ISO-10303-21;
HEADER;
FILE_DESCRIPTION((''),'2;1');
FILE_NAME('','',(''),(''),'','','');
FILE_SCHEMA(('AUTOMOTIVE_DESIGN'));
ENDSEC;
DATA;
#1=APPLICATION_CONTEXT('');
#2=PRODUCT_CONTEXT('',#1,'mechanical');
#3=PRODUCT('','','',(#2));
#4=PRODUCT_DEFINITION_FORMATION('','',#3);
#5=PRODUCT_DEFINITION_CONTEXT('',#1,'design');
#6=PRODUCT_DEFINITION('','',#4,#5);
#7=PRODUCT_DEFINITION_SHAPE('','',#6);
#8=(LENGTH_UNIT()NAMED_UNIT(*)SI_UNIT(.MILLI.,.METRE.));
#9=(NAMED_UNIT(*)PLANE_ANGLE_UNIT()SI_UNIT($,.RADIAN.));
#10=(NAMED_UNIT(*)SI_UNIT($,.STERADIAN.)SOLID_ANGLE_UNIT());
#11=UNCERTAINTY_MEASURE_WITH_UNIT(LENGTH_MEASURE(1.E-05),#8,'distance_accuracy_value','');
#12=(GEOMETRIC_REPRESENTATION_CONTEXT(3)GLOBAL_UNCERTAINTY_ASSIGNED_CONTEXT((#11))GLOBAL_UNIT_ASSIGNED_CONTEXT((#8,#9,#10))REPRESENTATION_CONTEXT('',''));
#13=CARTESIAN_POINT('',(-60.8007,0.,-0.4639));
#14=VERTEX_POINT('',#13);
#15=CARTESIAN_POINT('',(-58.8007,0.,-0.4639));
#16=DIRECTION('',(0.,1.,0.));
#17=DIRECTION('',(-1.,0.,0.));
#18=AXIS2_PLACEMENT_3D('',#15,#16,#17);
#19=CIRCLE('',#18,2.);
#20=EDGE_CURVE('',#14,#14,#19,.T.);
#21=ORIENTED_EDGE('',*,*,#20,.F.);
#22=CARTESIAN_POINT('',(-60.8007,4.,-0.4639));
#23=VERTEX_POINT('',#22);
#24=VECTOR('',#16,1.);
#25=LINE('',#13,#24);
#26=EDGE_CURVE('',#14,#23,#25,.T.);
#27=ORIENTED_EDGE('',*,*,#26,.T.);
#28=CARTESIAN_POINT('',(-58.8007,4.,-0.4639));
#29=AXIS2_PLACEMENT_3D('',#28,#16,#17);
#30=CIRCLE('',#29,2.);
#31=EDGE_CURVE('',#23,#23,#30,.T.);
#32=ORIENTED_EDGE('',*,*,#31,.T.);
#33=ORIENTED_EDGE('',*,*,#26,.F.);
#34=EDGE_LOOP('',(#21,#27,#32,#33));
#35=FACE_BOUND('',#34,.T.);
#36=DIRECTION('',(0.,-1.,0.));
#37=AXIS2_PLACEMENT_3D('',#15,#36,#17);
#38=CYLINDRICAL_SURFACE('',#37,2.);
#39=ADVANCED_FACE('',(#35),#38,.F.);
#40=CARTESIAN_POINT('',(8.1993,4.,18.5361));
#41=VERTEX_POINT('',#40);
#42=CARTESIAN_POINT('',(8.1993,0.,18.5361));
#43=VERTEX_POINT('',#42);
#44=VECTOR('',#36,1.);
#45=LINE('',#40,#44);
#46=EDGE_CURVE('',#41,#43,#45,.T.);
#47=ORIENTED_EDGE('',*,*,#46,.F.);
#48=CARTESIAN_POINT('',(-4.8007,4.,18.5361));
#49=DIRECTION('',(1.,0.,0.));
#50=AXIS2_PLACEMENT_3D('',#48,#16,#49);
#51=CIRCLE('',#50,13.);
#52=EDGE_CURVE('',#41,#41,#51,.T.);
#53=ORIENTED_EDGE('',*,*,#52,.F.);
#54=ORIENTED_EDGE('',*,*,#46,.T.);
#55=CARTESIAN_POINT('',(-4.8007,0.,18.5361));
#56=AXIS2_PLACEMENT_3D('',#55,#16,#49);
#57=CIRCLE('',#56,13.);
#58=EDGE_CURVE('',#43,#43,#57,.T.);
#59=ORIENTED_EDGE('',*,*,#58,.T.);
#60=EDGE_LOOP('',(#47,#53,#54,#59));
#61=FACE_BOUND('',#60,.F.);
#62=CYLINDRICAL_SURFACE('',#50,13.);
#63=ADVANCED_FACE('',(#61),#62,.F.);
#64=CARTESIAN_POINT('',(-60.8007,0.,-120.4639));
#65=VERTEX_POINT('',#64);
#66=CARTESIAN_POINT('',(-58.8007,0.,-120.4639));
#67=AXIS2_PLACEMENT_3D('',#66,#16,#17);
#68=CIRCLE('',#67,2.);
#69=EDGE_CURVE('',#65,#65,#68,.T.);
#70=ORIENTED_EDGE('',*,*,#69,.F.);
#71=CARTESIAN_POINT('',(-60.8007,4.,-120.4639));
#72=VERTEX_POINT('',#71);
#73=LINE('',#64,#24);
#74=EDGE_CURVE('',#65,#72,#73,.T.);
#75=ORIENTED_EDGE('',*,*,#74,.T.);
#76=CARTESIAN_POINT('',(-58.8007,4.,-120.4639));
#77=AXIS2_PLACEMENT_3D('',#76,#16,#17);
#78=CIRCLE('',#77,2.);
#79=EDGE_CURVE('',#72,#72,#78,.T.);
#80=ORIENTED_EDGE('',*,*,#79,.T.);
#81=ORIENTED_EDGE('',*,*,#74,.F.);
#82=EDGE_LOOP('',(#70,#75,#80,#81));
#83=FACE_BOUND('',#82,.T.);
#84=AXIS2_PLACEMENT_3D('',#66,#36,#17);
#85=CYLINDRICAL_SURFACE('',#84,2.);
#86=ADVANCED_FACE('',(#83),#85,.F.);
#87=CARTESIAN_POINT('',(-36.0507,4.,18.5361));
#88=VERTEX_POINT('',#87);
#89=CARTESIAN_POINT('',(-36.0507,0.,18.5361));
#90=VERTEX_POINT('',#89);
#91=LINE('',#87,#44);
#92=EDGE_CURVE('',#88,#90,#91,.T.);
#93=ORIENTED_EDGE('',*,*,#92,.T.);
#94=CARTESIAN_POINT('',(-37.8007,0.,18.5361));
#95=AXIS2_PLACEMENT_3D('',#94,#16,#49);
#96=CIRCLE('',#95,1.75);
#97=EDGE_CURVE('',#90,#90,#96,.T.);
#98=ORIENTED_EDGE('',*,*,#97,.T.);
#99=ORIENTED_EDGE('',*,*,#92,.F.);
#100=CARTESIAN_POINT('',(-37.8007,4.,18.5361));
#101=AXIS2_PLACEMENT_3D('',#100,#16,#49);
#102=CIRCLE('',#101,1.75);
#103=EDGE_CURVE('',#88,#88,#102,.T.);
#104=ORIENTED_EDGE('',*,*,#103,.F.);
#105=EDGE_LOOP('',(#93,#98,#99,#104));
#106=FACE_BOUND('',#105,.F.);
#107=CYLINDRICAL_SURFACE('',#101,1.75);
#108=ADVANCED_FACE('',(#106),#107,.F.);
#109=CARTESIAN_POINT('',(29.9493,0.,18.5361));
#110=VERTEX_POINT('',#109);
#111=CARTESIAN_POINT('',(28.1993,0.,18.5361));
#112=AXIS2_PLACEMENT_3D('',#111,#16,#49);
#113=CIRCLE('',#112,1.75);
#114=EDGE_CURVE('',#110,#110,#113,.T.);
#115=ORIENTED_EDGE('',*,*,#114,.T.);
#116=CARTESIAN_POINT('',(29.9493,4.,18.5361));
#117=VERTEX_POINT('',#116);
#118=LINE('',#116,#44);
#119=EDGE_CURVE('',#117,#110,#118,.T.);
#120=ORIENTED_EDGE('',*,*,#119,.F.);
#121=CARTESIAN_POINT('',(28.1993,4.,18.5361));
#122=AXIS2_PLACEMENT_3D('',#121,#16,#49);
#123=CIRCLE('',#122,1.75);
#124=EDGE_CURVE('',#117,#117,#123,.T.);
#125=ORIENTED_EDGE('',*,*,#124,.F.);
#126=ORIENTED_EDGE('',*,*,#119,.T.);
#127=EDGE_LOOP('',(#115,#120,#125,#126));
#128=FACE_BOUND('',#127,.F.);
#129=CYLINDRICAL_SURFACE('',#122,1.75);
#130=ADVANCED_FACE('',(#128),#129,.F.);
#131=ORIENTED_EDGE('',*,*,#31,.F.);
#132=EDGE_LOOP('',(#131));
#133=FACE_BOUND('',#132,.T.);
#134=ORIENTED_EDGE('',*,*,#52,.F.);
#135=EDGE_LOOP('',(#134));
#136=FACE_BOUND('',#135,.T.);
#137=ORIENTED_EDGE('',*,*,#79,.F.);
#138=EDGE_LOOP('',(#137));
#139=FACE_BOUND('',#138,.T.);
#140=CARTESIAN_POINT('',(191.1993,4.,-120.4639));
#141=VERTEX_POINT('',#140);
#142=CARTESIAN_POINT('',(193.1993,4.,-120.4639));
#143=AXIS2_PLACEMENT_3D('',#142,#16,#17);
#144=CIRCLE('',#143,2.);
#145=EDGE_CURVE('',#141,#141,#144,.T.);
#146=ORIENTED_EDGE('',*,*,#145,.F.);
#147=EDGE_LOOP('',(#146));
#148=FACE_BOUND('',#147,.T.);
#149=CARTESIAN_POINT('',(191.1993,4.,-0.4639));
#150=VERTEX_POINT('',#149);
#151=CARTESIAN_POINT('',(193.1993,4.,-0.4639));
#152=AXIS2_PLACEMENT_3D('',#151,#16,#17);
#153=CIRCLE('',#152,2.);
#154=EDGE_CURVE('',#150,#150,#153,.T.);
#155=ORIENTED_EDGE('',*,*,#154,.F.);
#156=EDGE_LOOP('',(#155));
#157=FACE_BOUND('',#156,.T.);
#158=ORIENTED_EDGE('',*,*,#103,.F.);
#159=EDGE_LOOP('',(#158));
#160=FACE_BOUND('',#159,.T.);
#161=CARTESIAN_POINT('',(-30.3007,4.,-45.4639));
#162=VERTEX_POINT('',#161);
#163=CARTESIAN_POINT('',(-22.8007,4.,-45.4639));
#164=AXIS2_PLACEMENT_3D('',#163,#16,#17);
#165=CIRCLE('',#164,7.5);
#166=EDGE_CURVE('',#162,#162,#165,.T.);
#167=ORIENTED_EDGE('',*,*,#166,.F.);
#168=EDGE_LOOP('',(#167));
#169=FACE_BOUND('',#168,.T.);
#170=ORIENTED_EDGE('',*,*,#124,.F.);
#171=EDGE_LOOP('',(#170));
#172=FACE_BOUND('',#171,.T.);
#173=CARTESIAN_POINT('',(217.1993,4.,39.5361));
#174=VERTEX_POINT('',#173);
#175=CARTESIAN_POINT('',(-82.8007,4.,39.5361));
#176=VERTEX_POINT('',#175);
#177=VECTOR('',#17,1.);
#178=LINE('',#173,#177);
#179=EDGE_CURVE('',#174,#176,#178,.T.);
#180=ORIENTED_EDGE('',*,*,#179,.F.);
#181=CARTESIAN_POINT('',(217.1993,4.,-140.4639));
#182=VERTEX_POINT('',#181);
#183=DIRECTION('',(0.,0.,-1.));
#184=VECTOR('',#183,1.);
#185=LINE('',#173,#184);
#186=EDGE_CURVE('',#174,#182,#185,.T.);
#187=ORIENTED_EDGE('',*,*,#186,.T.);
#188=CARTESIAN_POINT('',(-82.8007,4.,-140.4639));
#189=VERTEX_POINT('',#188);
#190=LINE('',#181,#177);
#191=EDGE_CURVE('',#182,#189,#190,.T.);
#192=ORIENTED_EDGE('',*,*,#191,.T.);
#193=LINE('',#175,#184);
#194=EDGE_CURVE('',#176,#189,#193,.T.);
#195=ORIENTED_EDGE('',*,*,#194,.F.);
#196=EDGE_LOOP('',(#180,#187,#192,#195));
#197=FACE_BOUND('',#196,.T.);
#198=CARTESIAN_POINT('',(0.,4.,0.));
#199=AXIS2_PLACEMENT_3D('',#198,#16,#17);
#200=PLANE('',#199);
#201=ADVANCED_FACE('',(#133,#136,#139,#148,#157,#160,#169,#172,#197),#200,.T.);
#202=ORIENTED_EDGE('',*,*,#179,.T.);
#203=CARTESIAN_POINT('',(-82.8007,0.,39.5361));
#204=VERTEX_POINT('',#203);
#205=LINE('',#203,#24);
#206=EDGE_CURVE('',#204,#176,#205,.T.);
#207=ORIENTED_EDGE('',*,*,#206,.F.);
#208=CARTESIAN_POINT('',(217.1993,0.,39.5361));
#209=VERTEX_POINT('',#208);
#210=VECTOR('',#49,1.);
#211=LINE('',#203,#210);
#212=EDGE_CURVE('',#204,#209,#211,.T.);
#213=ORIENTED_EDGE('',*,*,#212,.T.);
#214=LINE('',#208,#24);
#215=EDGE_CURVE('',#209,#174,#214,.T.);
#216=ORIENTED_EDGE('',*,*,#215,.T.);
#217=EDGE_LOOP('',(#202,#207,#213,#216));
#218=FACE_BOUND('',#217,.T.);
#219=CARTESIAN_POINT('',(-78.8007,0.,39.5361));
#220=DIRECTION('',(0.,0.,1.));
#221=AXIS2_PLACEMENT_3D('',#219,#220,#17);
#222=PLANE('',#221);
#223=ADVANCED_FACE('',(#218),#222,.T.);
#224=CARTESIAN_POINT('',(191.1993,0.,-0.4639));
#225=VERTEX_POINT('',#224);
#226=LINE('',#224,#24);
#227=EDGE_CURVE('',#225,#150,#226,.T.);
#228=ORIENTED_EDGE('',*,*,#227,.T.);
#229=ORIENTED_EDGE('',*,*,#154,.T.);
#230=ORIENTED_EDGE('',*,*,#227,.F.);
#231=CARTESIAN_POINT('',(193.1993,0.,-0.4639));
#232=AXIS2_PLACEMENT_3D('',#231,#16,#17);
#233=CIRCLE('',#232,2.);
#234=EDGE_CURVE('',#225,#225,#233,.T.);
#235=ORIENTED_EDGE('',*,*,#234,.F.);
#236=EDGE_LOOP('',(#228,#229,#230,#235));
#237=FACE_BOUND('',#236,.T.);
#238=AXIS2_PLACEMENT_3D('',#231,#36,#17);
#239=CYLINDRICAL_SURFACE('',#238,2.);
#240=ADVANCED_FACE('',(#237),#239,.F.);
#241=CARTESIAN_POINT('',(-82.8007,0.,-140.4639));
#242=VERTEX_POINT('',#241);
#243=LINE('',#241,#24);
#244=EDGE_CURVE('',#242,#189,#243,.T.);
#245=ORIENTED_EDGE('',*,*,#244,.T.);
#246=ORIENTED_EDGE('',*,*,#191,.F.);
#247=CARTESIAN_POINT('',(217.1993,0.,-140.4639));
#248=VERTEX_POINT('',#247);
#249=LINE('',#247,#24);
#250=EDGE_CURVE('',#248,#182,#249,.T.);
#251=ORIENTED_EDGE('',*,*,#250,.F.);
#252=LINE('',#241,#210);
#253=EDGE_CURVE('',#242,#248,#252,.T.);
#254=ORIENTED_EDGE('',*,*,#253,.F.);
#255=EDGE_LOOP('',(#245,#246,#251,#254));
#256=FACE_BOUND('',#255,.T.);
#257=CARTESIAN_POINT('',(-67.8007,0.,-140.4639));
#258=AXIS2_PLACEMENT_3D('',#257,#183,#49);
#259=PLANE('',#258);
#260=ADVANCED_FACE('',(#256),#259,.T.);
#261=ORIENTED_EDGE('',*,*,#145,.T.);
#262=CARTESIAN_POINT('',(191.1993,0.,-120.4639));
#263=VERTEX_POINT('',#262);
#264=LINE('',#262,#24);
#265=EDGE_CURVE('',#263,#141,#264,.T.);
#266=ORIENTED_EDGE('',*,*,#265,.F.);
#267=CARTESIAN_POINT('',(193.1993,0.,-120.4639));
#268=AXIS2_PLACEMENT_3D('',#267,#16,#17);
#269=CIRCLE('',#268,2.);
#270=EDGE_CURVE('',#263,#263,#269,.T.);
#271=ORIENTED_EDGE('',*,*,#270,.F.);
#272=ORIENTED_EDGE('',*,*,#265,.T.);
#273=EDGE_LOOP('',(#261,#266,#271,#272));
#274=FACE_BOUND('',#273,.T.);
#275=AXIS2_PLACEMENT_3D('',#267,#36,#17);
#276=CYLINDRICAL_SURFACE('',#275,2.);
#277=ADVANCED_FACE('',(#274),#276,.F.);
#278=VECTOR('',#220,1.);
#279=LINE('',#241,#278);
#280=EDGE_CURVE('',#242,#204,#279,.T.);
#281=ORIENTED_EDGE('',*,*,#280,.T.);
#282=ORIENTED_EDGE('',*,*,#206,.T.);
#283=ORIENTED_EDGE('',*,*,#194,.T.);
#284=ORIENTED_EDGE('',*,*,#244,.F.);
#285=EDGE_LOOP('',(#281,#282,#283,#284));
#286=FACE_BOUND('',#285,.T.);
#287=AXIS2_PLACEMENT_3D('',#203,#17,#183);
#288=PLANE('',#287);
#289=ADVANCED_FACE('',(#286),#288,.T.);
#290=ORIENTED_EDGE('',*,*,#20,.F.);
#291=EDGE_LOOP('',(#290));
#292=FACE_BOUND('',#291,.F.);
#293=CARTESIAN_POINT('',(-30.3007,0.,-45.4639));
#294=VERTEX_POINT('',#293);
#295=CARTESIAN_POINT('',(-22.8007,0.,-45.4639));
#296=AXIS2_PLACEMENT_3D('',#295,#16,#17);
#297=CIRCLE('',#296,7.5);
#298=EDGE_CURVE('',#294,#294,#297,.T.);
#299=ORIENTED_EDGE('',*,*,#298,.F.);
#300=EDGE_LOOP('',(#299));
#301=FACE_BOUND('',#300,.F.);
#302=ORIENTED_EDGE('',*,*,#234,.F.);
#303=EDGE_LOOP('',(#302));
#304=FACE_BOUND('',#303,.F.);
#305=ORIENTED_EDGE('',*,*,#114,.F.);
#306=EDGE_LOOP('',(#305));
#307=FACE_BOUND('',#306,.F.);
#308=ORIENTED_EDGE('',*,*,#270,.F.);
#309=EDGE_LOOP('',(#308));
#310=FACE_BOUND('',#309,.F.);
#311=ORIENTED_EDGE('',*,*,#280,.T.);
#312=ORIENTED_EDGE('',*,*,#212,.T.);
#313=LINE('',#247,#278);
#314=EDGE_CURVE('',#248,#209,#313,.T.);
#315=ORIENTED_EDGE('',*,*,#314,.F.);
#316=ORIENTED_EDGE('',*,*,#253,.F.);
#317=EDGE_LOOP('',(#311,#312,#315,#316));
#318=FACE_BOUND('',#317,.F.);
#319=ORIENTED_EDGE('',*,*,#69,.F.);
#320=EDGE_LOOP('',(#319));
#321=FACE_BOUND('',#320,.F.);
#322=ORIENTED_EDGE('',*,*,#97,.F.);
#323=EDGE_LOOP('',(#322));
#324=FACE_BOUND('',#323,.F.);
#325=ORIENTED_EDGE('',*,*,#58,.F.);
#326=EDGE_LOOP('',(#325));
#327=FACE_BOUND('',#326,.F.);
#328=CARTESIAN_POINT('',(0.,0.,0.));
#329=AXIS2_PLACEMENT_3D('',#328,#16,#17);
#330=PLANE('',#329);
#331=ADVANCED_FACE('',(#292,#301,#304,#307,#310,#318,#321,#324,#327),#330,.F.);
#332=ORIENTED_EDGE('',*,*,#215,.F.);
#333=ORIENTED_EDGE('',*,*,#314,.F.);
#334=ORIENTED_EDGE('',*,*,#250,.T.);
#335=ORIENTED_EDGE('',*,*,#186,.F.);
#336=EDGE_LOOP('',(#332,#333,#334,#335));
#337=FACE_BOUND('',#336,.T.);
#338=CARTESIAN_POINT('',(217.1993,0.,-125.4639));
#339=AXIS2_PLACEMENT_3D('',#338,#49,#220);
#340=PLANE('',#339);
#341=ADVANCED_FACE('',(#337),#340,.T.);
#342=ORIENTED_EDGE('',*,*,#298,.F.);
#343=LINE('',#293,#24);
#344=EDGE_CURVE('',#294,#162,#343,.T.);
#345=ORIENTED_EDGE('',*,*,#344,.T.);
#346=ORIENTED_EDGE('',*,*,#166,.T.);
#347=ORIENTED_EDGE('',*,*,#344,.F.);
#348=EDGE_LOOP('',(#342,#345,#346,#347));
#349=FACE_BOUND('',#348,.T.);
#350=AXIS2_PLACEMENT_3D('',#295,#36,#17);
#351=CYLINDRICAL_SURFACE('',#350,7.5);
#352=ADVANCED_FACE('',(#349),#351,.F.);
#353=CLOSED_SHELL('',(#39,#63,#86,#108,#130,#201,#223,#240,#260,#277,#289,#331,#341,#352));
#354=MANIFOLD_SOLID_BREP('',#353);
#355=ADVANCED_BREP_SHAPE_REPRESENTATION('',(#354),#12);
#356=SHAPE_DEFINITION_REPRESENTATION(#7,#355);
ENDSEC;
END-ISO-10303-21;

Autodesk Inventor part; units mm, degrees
ref_plane "YZ Plane" through (0, 0, 0) normal (1, 0, 0) x (0, 1, 0)
ref_plane "XZ Plane" through (0, 0, 0) normal (0, 1, 0) x (-1, 0, 0)
ref_plane "XY Plane" through (0, 0, 0) normal (0, 0, 1) x (1, 0, 0)
sketch "Sketch1" plane through (0, 0, 0) normal (0, 1, 0) x (-1, 0, 0)
  line L0 (82.8007, 39.5361) -> (82.8007, -136.4639)
  line L1 (82.8007, -140.4639) -> (-217.1993, -140.4639)
  line L2 (-217.1993, -140.4639) -> (-217.1993, 35.5361)
  circle A0 centre (4.8007, 18.5361) radius 3.75
  circle A1 centre (-3.9493, 18.5361) radius 1.5
  circle A2 centre (13.5507, 18.5361) radius 1.5
  line L3 (4.8007, 22.2861) -> (4.8007, 14.7861) construction
  line L4 (-217.1993, 39.5361) -> (82.8007, 39.5361)
  line L5 (82.8007, -136.4639) -> (67.8007, -136.4639)
  line L6 (67.8007, -136.4639) -> (67.8007, -140.4639)
  line L7 (82.8007, -136.4639) -> (82.8007, -140.4639)
  line L8 (52.8007, -136.4639) -> (52.8007, -140.4639)
  line L9 (52.8007, -136.4639) -> (37.8007, -136.4639)
  line L10 (37.8007, -136.4639) -> (37.8007, -140.4639)
  line L11 (22.8007, -136.4639) -> (22.8007, -140.4639)
  line L12 (22.8007, -136.4639) -> (7.8007, -136.4639)
  line L13 (7.8007, -136.4639) -> (7.8007, -140.4639)
  line L14 (-7.1993, -136.4639) -> (-7.1993, -140.4639)
  line L15 (-7.1993, -136.4639) -> (-22.1993, -136.4639)
  line L16 (-22.1993, -136.4639) -> (-22.1993, -140.4639)
  line L17 (-37.1993, -136.4639) -> (-37.1993, -140.4639)
  line L18 (-37.1993, -136.4639) -> (-52.1993, -136.4639)
  line L19 (-52.1993, -136.4639) -> (-52.1993, -140.4639)
  line L20 (-67.1993, -136.4639) -> (-67.1993, -140.4639)
  line L21 (-67.1993, -136.4639) -> (-82.1993, -136.4639)
  line L22 (-82.1993, -136.4639) -> (-82.1993, -140.4639)
  line L23 (-97.1993, -136.4639) -> (-97.1993, -140.4639)
  line L24 (-97.1993, -136.4639) -> (-112.1993, -136.4639)
  line L25 (-112.1993, -136.4639) -> (-112.1993, -140.4639)
  line L26 (-127.1993, -136.4639) -> (-127.1993, -140.4639)
  line L27 (-127.1993, -136.4639) -> (-142.1993, -136.4639)
  line L28 (-142.1993, -136.4639) -> (-142.1993, -140.4639)
  line L29 (-157.1993, -136.4639) -> (-157.1993, -140.4639)
  line L30 (-157.1993, -136.4639) -> (-172.1993, -136.4639)
  line L31 (-172.1993, -136.4639) -> (-172.1993, -140.4639)
  line L32 (-187.1993, -136.4639) -> (-187.1993, -140.4639)
  line L33 (-187.1993, -136.4639) -> (-202.1993, -136.4639)
  line L34 (-202.1993, -136.4639) -> (-202.1993, -140.4639)
  line L35 (-217.1993, 35.5361) -> (-202.1993, 35.5361)
  line L36 (-202.1993, 35.5361) -> (-202.1993, 39.5361)
  line L37 (-217.1993, 35.5361) -> (-217.1993, 39.5361)
  line L38 (-172.1993, 35.5361) -> (-172.1993, 39.5361)
  line L39 (-187.1993, 35.5361) -> (-172.1993, 35.5361)
  line L40 (-187.1993, 35.5361) -> (-187.1993, 39.5361)
  line L41 (-142.1993, 35.5361) -> (-142.1993, 39.5361)
  line L42 (-157.1993, 35.5361) -> (-142.1993, 35.5361)
  line L43 (-157.1993, 35.5361) -> (-157.1993, 39.5361)
  line L44 (-112.1993, 35.5361) -> (-112.1993, 39.5361)
  line L45 (-127.1993, 35.5361) -> (-112.1993, 35.5361)
  line L46 (-127.1993, 35.5361) -> (-127.1993, 39.5361)
  line L47 (-82.1993, 35.5361) -> (-82.1993, 39.5361)
  line L48 (-97.1993, 35.5361) -> (-82.1993, 35.5361)
  line L49 (-97.1993, 35.5361) -> (-97.1993, 39.5361)
  line L50 (-52.1993, 35.5361) -> (-52.1993, 39.5361)
  line L51 (-67.1993, 35.5361) -> (-52.1993, 35.5361)
  line L52 (-67.1993, 35.5361) -> (-67.1993, 39.5361)
  line L53 (-22.1993, 35.5361) -> (-22.1993, 39.5361)
  line L54 (-37.1993, 35.5361) -> (-22.1993, 35.5361)
  line L55 (-37.1993, 35.5361) -> (-37.1993, 39.5361)
  line L56 (7.8007, 35.5361) -> (7.8007, 39.5361)
  line L57 (-7.1993, 35.5361) -> (7.8007, 35.5361)
  line L58 (-7.1993, 35.5361) -> (-7.1993, 39.5361)
  line L59 (37.8007, 35.5361) -> (37.8007, 39.5361)
  line L60 (22.8007, 35.5361) -> (37.8007, 35.5361)
  line L61 (22.8007, 35.5361) -> (22.8007, 39.5361)
  line L62 (67.8007, 35.5361) -> (67.8007, 39.5361)
  line L63 (52.8007, 35.5361) -> (67.8007, 35.5361)
  line L64 (52.8007, 35.5361) -> (52.8007, 39.5361)
  line L65 (-217.1993, -140.4639) -> (-213.1993, -140.4639)
  line L66 (-213.1993, -140.4639) -> (-213.1993, -125.4639)
  line L67 (-213.1993, -125.4639) -> (-217.1993, -125.4639)
  line L68 (-217.1993, -125.4639) -> (-217.1993, -140.4639)
  line L69 (-213.1993, -110.4639) -> (-213.1993, -95.4639)
  line L70 (-217.1993, -110.4639) -> (-213.1993, -110.4639)
  line L71 (-213.1993, -95.4639) -> (-217.1993, -95.4639)
  line L72 (-213.1993, -80.4639) -> (-213.1993, -65.4639)
  line L73 (-217.1993, -80.4639) -> (-213.1993, -80.4639)
  line L74 (-213.1993, -65.4639) -> (-217.1993, -65.4639)
  line L75 (-213.1993, -50.4639) -> (-213.1993, -35.4639)
  line L76 (-217.1993, -50.4639) -> (-213.1993, -50.4639)
  line L77 (-213.1993, -35.4639) -> (-217.1993, -35.4639)
  line L78 (-213.1993, -20.4639) -> (-213.1993, -5.4639)
  line L79 (-217.1993, -20.4639) -> (-213.1993, -20.4639)
  line L80 (-213.1993, -5.4639) -> (-217.1993, -5.4639)
  line L81 (-213.1993, 9.5361) -> (-213.1993, 24.5361)
  line L82 (-217.1993, 9.5361) -> (-213.1993, 9.5361)
  line L83 (-213.1993, 24.5361) -> (-217.1993, 24.5361)
  line L84 (82.8007, 39.5361) -> (78.8007, 39.5361)
  line L85 (78.8007, 39.5361) -> (78.8007, 24.5361)
  line L86 (78.8007, 24.5361) -> (82.8007, 24.5361)
  line L87 (82.8007, 24.5361) -> (82.8007, 39.5361)
  line L88 (78.8007, 9.5361) -> (78.8007, -5.4639)
  line L89 (78.8007, -5.4639) -> (82.8007, -5.4639)
  line L90 (82.8007, 9.5361) -> (78.8007, 9.5361)
  line L91 (78.8007, -20.4639) -> (78.8007, -35.4639)
  line L92 (78.8007, -35.4639) -> (82.8007, -35.4639)
  line L93 (82.8007, -20.4639) -> (78.8007, -20.4639)
  line L94 (78.8007, -50.4639) -> (78.8007, -65.4639)
  line L95 (78.8007, -65.4639) -> (82.8007, -65.4639)
  line L96 (82.8007, -50.4639) -> (78.8007, -50.4639)
  line L97 (78.8007, -80.4639) -> (78.8007, -95.4639)
  line L98 (78.8007, -95.4639) -> (82.8007, -95.4639)
  line L99 (82.8007, -80.4639) -> (78.8007, -80.4639)
  line L100 (78.8007, -110.4639) -> (78.8007, -125.4639)
  line L101 (78.8007, -125.4639) -> (82.8007, -125.4639)
  line L102 (82.8007, -110.4639) -> (78.8007, -110.4639)
  circle A3 centre (22.8007, -45.4639) radius 7.5
  circle A4 centre (58.8007, -0.4639) radius 2 projected
  circle A5 centre (58.8007, -120.4639) radius 2 projected
  circle A6 centre (58.8007, -0.4639) radius 2
  circle A7 centre (58.8007, -120.4639) radius 2
  circle A8 centre (-193.1993, -0.4639) radius 2 projected
  circle A9 centre (-193.1993, -120.4639) radius 2 projected
  point P0 (0, 0)
  point P1 (82.8007, -125.4639)
  point P2 (82.8007, -95.4639)
  point P3 (82.8007, -65.4639)
  point P4 (82.8007, -35.4639)
  point P5 (82.8007, -5.4639)
  point P6 (82.8007, 24.5361)
  point P7 (78.8007, 39.5361)
  point P8 (67.8007, 39.5361)
  point P9 (52.8007, 39.5361)
  point P10 (37.8007, 39.5361)
  point P11 (22.8007, 39.5361)
  point P12 (7.8007, 39.5361)
  point P13 (-7.1993, 39.5361)
  point P14 (-22.1993, 39.5361)
  point P15 (-37.1993, 39.5361)
  point P16 (-52.1993, 39.5361)
  point P17 (-67.1993, 39.5361)
  point P18 (-112.1993, 39.5361)
  point P19 (-172.1993, 39.5361)
  point P20 (-202.1993, -140.4639)
  point P21 (-187.1993, -140.4639)
  point P22 (-172.1993, -140.4639)
  point P23 (-157.1993, -140.4639)
  point P24 (-142.1993, -140.4639)
  dimension "d1" = 7.5
  dimension "d2" = 3
  dimension "d3" = 8.75
  dimension "d24" = 4
  dimension "d25" = 15
  dimension "d28" = 30
  dimension "d33" = 4
  dimension "d34" = 15
  dimension "d37" = 30
  dimension "d42" = 4
  dimension "d43" = 15
  dimension "d46" = 30
  dimension "d51" = 4
  dimension "d52" = 15
  dimension "d55" = 30
  dimension "d60" = 15
  dimension "d61" = 85
  dimension "d62" = 60
extrude "Extrusion1" add sketch "Sketch1" along normal blind 4
sketch "Sketch2" plane through (0, 4, 0) normal (0, 1, 0) x (1, 0, 0)
  circle A0 centre (-4.8007, -18.5361) radius 13
  circle A1 centre (-4.8007, -18.5361) radius 3.75 projected
  circle A2 centre (-37.8007, -18.5361) radius 1.75
  circle A3 centre (28.1993, -18.5361) radius 1.75
  point P0 (0, 0)
  dimension "d63" = 26
  dimension "d64" = 3.5
  dimension "d65" = 3.5
  dimension "d66" = 33
  dimension "d67" = 33
extrude "Extrusion2" cut sketch "Sketch2" against normal through all contours A0 | A1 | A2 | A3
equation "\"d24\" = WoodThickness"
equation "\"d28\" = 2 * d25"
equation "\"d33\" = WoodThickness"
equation "\"d34\" = d25"
equation "\"d37\" = 2 * d34"
equation "\"d42\" = WoodThickness"
equation "\"d46\" = 2 * d43"
equation "\"d51\" = WoodThickness"
equation "\"d55\" = 2 * d52"
equation "\"WoodThickness\" = 4"
properties part number "Upper"
